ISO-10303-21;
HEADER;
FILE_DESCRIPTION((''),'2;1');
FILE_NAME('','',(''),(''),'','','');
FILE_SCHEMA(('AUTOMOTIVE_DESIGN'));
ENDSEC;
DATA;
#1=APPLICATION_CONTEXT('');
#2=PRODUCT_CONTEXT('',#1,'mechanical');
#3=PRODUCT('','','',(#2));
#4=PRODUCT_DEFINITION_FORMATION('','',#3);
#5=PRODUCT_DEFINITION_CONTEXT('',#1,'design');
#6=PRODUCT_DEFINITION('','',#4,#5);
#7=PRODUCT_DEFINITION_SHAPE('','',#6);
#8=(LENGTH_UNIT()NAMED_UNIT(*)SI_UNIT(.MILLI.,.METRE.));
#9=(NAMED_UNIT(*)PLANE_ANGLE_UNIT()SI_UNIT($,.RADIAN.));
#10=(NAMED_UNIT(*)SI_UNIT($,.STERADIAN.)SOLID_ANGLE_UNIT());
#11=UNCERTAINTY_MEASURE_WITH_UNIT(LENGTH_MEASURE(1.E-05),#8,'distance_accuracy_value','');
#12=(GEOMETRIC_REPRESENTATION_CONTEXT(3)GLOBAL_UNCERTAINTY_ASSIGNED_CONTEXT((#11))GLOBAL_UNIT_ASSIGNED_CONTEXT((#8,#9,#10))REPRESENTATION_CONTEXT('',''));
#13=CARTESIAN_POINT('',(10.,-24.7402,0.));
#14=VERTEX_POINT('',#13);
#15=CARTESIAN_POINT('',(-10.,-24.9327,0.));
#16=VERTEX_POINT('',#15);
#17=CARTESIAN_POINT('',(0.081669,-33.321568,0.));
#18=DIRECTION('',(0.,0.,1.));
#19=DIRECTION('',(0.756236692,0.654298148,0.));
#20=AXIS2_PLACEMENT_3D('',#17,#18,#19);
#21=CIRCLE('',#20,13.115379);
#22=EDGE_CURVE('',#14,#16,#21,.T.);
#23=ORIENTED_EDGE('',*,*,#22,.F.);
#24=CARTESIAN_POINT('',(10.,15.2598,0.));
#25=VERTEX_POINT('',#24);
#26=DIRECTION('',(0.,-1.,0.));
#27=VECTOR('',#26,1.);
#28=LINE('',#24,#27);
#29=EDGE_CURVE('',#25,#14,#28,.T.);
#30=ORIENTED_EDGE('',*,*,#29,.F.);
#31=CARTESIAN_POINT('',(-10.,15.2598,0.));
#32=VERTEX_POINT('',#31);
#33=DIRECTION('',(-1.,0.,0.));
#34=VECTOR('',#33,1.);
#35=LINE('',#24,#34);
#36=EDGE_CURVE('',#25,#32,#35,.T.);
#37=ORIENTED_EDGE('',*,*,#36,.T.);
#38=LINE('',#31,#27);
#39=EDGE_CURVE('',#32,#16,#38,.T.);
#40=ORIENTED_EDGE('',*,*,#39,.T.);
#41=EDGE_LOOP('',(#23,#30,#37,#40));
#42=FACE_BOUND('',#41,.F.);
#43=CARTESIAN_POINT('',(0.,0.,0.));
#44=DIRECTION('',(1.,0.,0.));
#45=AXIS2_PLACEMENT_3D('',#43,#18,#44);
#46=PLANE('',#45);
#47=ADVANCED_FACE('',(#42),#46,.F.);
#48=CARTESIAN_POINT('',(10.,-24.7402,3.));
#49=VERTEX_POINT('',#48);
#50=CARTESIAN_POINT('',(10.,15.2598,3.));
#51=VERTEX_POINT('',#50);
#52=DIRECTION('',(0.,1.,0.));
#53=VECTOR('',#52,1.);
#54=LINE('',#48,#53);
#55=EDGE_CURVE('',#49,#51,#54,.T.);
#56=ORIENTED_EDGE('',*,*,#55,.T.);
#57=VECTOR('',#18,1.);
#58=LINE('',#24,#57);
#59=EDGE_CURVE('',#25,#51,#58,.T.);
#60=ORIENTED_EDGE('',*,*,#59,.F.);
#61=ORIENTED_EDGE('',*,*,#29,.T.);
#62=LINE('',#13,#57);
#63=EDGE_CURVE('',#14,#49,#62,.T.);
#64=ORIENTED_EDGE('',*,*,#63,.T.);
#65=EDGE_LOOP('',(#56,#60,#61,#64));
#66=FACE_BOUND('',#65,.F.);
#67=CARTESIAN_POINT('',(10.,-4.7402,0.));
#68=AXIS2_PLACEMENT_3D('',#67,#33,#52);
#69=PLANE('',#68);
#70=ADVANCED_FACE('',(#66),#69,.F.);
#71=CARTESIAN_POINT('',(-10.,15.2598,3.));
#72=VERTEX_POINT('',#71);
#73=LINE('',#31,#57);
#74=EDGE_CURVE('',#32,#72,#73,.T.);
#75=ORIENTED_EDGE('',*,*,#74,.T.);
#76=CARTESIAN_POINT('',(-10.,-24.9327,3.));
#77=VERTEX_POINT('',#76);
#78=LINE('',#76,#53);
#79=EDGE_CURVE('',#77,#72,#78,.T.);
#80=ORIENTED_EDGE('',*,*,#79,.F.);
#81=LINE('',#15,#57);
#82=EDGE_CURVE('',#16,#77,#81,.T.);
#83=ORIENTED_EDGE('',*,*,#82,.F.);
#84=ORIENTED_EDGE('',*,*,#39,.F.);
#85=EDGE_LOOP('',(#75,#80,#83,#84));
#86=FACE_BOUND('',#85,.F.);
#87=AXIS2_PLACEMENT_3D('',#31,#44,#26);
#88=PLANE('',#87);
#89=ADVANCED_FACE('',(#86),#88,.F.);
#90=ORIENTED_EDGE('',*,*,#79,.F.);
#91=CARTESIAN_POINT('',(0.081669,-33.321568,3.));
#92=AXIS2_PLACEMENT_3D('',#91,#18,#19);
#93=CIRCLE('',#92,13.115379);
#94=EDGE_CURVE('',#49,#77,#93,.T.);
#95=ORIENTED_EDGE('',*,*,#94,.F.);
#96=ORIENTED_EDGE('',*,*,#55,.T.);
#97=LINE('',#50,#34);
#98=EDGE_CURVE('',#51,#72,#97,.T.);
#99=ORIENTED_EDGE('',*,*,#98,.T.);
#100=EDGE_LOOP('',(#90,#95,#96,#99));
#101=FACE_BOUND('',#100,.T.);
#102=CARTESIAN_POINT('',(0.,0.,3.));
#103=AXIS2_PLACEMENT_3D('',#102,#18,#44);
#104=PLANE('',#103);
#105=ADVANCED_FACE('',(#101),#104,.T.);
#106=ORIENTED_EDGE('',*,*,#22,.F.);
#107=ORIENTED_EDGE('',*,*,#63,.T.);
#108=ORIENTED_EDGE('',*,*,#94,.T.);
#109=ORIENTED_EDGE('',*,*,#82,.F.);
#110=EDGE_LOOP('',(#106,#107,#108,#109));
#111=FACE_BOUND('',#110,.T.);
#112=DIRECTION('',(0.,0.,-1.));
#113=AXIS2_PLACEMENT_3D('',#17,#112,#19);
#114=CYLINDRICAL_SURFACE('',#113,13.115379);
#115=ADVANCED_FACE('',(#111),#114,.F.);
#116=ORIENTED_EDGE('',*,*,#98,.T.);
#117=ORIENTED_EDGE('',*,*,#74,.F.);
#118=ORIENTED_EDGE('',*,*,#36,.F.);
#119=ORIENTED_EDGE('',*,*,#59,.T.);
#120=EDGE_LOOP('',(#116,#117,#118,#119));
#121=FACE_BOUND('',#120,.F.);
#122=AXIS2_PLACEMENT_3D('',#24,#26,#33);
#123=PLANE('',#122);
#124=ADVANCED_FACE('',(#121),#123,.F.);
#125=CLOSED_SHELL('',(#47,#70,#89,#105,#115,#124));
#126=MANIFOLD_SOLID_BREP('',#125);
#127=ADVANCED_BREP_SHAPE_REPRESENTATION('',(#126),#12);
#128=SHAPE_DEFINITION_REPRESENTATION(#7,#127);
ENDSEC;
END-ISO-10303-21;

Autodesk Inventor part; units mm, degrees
ref_plane "YZ Plane" through (0, 0, 0) normal (1, 0, 0) x (0, 1, 0)
ref_plane "XZ Plane" through (0, 0, 0) normal (0, 1, 0) x (-1, 0, 0)
ref_plane "XY Plane" through (0, 0, 0) normal (0, 0, 1) x (1, 0, 0)
sketch "Sketch1" plane through (0, 0, 0) normal (0, 0, 1) x (1, 0, 0)
  line L0 (-10, -4.7402) -> (10, -4.7402)
  line L1 (10, -4.7402) -> (10, -24.7402)
  line L2 (-10, -24.9327) -> (-10, -4.7402)
  arc A0 (10, -24.7402) -> (-10, -24.9327) centre (0.0817, -33.3215) ccw
  line L3 (-10, -4.7402) -> (10, -4.7402)
  line L4 (10, -4.7402) -> (10, 15.2598)
  line L5 (10, 15.2598) -> (-10, 15.2598)
  line L6 (-10, 15.2598) -> (-10, -4.7402)
  point P0 (0, 0)
  dimension "d0" = 20
  dimension "d1" = 20
  dimension "d2" = 20
extrude "Extrusion1" add sketch "Sketch1" along normal blind 3
properties part number "WingStiffener"
